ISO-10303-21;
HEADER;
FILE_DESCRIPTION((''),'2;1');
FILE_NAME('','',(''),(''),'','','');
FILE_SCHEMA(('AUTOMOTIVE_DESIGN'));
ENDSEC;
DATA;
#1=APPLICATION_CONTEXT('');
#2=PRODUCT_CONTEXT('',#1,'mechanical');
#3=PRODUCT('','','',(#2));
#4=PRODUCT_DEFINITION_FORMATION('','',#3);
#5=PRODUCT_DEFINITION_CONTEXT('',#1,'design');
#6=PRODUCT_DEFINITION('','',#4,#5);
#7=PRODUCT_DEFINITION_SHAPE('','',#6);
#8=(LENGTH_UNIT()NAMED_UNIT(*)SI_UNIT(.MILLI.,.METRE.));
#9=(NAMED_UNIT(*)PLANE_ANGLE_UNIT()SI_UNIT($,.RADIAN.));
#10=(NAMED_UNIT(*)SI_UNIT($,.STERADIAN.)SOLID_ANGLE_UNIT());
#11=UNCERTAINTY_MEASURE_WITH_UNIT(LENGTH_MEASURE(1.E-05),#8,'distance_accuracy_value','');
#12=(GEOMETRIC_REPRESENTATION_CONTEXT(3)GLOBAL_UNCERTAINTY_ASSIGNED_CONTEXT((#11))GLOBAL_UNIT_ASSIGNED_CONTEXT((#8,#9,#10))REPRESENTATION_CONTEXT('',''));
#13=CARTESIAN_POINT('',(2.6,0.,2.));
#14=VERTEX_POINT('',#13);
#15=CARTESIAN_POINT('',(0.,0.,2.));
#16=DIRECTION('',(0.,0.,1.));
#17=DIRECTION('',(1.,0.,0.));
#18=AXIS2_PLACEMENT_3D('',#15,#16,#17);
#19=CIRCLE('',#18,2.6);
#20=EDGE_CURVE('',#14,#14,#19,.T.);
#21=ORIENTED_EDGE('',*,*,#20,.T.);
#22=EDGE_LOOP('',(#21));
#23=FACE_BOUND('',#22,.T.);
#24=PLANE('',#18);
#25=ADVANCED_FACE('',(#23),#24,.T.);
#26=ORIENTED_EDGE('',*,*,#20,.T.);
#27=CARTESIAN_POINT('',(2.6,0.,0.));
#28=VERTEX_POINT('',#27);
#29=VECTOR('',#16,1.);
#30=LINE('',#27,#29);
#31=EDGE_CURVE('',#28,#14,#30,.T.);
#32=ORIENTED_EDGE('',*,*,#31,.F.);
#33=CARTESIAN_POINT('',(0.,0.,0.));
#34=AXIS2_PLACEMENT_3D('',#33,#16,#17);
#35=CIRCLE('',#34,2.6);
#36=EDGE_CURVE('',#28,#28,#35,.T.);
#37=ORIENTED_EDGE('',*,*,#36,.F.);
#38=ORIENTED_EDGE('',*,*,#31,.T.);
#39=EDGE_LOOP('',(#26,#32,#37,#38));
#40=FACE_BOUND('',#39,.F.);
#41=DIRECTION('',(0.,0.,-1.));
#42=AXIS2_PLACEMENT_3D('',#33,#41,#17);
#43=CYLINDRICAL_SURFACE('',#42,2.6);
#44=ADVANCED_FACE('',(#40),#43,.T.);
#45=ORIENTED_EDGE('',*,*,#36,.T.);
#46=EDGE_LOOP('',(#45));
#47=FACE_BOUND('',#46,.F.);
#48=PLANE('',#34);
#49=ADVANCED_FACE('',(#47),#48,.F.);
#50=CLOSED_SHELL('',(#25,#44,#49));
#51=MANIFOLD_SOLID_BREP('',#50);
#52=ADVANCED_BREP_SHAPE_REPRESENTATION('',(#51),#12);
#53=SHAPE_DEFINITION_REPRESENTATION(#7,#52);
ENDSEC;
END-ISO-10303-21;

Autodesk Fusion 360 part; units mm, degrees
sketch "Sketch1" plane through (0, 0, 0) normal (0, 0, 1) x (1, 0, 0)
  circle A0 centre (0, 0) radius 2.6
  dimension "d1" = 5.2
extrude "Extrude1" add sketch "Sketch1" along normal blind 2
